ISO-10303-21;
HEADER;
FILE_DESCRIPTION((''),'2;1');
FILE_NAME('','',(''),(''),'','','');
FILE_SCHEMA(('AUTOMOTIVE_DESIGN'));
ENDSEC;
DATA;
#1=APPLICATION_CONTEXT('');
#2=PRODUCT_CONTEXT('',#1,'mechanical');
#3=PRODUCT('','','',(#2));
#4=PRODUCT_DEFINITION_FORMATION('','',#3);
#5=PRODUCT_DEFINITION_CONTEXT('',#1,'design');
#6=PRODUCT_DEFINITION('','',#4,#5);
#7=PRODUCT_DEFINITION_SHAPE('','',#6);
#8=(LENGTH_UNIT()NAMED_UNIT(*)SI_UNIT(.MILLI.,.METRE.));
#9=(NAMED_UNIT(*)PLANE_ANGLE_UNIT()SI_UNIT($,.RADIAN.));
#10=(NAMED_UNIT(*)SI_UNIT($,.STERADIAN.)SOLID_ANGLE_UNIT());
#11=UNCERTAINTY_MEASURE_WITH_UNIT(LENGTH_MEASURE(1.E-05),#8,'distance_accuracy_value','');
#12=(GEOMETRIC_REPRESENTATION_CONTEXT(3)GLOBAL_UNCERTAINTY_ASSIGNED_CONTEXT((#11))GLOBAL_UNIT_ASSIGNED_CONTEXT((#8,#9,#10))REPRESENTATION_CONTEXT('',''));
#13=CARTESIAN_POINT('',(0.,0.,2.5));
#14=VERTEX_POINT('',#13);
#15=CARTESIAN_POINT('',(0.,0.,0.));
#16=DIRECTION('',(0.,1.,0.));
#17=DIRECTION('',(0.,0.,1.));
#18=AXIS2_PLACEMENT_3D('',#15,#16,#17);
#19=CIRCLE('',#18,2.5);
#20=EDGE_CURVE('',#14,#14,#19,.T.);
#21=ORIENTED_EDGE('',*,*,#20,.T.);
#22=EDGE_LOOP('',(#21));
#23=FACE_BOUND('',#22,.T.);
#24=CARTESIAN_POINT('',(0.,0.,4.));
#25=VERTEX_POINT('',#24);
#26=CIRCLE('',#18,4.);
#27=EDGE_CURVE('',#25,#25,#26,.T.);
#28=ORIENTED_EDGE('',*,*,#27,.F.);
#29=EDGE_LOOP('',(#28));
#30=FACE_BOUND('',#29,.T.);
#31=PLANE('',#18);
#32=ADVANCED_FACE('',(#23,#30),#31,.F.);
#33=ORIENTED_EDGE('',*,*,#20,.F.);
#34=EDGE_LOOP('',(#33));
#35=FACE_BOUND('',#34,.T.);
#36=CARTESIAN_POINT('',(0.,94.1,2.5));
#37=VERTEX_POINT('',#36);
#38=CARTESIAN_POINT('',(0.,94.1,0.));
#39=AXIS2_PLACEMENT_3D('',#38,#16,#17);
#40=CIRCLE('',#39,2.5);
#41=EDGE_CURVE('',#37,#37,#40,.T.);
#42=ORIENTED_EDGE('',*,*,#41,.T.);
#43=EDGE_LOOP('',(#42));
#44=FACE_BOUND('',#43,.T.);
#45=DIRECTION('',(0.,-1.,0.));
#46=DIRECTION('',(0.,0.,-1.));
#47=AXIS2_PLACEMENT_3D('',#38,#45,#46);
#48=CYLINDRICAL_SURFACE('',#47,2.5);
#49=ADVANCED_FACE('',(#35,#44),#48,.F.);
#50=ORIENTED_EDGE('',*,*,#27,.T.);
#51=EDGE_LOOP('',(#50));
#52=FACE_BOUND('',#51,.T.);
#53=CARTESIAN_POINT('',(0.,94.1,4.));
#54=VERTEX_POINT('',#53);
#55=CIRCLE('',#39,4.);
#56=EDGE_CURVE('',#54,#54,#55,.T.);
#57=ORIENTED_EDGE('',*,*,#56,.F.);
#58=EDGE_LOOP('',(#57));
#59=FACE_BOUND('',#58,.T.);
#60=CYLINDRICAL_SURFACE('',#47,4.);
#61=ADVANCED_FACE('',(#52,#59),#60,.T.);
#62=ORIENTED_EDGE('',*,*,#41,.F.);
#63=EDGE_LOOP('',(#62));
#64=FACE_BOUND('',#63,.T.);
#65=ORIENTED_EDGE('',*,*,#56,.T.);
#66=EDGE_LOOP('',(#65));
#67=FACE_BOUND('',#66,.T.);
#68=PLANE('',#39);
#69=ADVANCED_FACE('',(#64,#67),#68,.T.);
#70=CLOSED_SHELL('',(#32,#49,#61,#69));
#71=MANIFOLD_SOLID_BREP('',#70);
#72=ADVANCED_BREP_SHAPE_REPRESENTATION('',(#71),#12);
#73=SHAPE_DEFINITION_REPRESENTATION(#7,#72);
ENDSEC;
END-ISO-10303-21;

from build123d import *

# Parameters (mm, degrees)
SZKIC1_R                    = 4
SZKIC1_R_2                  = 2.5
DODANIE_WYCI_GNI_CIE1_DEPTH = 94.1


with BuildPart() as part:
    # Szkic1 → Dodanie-wyciągnięcie1 (new body)
    with BuildSketch(Plane(origin=(0, 0, 0), x_dir=(1, 0, 0), z_dir=(0, 1, 0))):
        with Locations(Location((0, 0, 0), (0, 0, 270))):
            Circle(SZKIC1_R)
        with Locations(Location((0, 0, 0), (0, 0, 270))):
            Circle(SZKIC1_R_2, mode=Mode.SUBTRACT)
    extrude(amount=DODANIE_WYCI_GNI_CIE1_DEPTH)


solid = part.part
